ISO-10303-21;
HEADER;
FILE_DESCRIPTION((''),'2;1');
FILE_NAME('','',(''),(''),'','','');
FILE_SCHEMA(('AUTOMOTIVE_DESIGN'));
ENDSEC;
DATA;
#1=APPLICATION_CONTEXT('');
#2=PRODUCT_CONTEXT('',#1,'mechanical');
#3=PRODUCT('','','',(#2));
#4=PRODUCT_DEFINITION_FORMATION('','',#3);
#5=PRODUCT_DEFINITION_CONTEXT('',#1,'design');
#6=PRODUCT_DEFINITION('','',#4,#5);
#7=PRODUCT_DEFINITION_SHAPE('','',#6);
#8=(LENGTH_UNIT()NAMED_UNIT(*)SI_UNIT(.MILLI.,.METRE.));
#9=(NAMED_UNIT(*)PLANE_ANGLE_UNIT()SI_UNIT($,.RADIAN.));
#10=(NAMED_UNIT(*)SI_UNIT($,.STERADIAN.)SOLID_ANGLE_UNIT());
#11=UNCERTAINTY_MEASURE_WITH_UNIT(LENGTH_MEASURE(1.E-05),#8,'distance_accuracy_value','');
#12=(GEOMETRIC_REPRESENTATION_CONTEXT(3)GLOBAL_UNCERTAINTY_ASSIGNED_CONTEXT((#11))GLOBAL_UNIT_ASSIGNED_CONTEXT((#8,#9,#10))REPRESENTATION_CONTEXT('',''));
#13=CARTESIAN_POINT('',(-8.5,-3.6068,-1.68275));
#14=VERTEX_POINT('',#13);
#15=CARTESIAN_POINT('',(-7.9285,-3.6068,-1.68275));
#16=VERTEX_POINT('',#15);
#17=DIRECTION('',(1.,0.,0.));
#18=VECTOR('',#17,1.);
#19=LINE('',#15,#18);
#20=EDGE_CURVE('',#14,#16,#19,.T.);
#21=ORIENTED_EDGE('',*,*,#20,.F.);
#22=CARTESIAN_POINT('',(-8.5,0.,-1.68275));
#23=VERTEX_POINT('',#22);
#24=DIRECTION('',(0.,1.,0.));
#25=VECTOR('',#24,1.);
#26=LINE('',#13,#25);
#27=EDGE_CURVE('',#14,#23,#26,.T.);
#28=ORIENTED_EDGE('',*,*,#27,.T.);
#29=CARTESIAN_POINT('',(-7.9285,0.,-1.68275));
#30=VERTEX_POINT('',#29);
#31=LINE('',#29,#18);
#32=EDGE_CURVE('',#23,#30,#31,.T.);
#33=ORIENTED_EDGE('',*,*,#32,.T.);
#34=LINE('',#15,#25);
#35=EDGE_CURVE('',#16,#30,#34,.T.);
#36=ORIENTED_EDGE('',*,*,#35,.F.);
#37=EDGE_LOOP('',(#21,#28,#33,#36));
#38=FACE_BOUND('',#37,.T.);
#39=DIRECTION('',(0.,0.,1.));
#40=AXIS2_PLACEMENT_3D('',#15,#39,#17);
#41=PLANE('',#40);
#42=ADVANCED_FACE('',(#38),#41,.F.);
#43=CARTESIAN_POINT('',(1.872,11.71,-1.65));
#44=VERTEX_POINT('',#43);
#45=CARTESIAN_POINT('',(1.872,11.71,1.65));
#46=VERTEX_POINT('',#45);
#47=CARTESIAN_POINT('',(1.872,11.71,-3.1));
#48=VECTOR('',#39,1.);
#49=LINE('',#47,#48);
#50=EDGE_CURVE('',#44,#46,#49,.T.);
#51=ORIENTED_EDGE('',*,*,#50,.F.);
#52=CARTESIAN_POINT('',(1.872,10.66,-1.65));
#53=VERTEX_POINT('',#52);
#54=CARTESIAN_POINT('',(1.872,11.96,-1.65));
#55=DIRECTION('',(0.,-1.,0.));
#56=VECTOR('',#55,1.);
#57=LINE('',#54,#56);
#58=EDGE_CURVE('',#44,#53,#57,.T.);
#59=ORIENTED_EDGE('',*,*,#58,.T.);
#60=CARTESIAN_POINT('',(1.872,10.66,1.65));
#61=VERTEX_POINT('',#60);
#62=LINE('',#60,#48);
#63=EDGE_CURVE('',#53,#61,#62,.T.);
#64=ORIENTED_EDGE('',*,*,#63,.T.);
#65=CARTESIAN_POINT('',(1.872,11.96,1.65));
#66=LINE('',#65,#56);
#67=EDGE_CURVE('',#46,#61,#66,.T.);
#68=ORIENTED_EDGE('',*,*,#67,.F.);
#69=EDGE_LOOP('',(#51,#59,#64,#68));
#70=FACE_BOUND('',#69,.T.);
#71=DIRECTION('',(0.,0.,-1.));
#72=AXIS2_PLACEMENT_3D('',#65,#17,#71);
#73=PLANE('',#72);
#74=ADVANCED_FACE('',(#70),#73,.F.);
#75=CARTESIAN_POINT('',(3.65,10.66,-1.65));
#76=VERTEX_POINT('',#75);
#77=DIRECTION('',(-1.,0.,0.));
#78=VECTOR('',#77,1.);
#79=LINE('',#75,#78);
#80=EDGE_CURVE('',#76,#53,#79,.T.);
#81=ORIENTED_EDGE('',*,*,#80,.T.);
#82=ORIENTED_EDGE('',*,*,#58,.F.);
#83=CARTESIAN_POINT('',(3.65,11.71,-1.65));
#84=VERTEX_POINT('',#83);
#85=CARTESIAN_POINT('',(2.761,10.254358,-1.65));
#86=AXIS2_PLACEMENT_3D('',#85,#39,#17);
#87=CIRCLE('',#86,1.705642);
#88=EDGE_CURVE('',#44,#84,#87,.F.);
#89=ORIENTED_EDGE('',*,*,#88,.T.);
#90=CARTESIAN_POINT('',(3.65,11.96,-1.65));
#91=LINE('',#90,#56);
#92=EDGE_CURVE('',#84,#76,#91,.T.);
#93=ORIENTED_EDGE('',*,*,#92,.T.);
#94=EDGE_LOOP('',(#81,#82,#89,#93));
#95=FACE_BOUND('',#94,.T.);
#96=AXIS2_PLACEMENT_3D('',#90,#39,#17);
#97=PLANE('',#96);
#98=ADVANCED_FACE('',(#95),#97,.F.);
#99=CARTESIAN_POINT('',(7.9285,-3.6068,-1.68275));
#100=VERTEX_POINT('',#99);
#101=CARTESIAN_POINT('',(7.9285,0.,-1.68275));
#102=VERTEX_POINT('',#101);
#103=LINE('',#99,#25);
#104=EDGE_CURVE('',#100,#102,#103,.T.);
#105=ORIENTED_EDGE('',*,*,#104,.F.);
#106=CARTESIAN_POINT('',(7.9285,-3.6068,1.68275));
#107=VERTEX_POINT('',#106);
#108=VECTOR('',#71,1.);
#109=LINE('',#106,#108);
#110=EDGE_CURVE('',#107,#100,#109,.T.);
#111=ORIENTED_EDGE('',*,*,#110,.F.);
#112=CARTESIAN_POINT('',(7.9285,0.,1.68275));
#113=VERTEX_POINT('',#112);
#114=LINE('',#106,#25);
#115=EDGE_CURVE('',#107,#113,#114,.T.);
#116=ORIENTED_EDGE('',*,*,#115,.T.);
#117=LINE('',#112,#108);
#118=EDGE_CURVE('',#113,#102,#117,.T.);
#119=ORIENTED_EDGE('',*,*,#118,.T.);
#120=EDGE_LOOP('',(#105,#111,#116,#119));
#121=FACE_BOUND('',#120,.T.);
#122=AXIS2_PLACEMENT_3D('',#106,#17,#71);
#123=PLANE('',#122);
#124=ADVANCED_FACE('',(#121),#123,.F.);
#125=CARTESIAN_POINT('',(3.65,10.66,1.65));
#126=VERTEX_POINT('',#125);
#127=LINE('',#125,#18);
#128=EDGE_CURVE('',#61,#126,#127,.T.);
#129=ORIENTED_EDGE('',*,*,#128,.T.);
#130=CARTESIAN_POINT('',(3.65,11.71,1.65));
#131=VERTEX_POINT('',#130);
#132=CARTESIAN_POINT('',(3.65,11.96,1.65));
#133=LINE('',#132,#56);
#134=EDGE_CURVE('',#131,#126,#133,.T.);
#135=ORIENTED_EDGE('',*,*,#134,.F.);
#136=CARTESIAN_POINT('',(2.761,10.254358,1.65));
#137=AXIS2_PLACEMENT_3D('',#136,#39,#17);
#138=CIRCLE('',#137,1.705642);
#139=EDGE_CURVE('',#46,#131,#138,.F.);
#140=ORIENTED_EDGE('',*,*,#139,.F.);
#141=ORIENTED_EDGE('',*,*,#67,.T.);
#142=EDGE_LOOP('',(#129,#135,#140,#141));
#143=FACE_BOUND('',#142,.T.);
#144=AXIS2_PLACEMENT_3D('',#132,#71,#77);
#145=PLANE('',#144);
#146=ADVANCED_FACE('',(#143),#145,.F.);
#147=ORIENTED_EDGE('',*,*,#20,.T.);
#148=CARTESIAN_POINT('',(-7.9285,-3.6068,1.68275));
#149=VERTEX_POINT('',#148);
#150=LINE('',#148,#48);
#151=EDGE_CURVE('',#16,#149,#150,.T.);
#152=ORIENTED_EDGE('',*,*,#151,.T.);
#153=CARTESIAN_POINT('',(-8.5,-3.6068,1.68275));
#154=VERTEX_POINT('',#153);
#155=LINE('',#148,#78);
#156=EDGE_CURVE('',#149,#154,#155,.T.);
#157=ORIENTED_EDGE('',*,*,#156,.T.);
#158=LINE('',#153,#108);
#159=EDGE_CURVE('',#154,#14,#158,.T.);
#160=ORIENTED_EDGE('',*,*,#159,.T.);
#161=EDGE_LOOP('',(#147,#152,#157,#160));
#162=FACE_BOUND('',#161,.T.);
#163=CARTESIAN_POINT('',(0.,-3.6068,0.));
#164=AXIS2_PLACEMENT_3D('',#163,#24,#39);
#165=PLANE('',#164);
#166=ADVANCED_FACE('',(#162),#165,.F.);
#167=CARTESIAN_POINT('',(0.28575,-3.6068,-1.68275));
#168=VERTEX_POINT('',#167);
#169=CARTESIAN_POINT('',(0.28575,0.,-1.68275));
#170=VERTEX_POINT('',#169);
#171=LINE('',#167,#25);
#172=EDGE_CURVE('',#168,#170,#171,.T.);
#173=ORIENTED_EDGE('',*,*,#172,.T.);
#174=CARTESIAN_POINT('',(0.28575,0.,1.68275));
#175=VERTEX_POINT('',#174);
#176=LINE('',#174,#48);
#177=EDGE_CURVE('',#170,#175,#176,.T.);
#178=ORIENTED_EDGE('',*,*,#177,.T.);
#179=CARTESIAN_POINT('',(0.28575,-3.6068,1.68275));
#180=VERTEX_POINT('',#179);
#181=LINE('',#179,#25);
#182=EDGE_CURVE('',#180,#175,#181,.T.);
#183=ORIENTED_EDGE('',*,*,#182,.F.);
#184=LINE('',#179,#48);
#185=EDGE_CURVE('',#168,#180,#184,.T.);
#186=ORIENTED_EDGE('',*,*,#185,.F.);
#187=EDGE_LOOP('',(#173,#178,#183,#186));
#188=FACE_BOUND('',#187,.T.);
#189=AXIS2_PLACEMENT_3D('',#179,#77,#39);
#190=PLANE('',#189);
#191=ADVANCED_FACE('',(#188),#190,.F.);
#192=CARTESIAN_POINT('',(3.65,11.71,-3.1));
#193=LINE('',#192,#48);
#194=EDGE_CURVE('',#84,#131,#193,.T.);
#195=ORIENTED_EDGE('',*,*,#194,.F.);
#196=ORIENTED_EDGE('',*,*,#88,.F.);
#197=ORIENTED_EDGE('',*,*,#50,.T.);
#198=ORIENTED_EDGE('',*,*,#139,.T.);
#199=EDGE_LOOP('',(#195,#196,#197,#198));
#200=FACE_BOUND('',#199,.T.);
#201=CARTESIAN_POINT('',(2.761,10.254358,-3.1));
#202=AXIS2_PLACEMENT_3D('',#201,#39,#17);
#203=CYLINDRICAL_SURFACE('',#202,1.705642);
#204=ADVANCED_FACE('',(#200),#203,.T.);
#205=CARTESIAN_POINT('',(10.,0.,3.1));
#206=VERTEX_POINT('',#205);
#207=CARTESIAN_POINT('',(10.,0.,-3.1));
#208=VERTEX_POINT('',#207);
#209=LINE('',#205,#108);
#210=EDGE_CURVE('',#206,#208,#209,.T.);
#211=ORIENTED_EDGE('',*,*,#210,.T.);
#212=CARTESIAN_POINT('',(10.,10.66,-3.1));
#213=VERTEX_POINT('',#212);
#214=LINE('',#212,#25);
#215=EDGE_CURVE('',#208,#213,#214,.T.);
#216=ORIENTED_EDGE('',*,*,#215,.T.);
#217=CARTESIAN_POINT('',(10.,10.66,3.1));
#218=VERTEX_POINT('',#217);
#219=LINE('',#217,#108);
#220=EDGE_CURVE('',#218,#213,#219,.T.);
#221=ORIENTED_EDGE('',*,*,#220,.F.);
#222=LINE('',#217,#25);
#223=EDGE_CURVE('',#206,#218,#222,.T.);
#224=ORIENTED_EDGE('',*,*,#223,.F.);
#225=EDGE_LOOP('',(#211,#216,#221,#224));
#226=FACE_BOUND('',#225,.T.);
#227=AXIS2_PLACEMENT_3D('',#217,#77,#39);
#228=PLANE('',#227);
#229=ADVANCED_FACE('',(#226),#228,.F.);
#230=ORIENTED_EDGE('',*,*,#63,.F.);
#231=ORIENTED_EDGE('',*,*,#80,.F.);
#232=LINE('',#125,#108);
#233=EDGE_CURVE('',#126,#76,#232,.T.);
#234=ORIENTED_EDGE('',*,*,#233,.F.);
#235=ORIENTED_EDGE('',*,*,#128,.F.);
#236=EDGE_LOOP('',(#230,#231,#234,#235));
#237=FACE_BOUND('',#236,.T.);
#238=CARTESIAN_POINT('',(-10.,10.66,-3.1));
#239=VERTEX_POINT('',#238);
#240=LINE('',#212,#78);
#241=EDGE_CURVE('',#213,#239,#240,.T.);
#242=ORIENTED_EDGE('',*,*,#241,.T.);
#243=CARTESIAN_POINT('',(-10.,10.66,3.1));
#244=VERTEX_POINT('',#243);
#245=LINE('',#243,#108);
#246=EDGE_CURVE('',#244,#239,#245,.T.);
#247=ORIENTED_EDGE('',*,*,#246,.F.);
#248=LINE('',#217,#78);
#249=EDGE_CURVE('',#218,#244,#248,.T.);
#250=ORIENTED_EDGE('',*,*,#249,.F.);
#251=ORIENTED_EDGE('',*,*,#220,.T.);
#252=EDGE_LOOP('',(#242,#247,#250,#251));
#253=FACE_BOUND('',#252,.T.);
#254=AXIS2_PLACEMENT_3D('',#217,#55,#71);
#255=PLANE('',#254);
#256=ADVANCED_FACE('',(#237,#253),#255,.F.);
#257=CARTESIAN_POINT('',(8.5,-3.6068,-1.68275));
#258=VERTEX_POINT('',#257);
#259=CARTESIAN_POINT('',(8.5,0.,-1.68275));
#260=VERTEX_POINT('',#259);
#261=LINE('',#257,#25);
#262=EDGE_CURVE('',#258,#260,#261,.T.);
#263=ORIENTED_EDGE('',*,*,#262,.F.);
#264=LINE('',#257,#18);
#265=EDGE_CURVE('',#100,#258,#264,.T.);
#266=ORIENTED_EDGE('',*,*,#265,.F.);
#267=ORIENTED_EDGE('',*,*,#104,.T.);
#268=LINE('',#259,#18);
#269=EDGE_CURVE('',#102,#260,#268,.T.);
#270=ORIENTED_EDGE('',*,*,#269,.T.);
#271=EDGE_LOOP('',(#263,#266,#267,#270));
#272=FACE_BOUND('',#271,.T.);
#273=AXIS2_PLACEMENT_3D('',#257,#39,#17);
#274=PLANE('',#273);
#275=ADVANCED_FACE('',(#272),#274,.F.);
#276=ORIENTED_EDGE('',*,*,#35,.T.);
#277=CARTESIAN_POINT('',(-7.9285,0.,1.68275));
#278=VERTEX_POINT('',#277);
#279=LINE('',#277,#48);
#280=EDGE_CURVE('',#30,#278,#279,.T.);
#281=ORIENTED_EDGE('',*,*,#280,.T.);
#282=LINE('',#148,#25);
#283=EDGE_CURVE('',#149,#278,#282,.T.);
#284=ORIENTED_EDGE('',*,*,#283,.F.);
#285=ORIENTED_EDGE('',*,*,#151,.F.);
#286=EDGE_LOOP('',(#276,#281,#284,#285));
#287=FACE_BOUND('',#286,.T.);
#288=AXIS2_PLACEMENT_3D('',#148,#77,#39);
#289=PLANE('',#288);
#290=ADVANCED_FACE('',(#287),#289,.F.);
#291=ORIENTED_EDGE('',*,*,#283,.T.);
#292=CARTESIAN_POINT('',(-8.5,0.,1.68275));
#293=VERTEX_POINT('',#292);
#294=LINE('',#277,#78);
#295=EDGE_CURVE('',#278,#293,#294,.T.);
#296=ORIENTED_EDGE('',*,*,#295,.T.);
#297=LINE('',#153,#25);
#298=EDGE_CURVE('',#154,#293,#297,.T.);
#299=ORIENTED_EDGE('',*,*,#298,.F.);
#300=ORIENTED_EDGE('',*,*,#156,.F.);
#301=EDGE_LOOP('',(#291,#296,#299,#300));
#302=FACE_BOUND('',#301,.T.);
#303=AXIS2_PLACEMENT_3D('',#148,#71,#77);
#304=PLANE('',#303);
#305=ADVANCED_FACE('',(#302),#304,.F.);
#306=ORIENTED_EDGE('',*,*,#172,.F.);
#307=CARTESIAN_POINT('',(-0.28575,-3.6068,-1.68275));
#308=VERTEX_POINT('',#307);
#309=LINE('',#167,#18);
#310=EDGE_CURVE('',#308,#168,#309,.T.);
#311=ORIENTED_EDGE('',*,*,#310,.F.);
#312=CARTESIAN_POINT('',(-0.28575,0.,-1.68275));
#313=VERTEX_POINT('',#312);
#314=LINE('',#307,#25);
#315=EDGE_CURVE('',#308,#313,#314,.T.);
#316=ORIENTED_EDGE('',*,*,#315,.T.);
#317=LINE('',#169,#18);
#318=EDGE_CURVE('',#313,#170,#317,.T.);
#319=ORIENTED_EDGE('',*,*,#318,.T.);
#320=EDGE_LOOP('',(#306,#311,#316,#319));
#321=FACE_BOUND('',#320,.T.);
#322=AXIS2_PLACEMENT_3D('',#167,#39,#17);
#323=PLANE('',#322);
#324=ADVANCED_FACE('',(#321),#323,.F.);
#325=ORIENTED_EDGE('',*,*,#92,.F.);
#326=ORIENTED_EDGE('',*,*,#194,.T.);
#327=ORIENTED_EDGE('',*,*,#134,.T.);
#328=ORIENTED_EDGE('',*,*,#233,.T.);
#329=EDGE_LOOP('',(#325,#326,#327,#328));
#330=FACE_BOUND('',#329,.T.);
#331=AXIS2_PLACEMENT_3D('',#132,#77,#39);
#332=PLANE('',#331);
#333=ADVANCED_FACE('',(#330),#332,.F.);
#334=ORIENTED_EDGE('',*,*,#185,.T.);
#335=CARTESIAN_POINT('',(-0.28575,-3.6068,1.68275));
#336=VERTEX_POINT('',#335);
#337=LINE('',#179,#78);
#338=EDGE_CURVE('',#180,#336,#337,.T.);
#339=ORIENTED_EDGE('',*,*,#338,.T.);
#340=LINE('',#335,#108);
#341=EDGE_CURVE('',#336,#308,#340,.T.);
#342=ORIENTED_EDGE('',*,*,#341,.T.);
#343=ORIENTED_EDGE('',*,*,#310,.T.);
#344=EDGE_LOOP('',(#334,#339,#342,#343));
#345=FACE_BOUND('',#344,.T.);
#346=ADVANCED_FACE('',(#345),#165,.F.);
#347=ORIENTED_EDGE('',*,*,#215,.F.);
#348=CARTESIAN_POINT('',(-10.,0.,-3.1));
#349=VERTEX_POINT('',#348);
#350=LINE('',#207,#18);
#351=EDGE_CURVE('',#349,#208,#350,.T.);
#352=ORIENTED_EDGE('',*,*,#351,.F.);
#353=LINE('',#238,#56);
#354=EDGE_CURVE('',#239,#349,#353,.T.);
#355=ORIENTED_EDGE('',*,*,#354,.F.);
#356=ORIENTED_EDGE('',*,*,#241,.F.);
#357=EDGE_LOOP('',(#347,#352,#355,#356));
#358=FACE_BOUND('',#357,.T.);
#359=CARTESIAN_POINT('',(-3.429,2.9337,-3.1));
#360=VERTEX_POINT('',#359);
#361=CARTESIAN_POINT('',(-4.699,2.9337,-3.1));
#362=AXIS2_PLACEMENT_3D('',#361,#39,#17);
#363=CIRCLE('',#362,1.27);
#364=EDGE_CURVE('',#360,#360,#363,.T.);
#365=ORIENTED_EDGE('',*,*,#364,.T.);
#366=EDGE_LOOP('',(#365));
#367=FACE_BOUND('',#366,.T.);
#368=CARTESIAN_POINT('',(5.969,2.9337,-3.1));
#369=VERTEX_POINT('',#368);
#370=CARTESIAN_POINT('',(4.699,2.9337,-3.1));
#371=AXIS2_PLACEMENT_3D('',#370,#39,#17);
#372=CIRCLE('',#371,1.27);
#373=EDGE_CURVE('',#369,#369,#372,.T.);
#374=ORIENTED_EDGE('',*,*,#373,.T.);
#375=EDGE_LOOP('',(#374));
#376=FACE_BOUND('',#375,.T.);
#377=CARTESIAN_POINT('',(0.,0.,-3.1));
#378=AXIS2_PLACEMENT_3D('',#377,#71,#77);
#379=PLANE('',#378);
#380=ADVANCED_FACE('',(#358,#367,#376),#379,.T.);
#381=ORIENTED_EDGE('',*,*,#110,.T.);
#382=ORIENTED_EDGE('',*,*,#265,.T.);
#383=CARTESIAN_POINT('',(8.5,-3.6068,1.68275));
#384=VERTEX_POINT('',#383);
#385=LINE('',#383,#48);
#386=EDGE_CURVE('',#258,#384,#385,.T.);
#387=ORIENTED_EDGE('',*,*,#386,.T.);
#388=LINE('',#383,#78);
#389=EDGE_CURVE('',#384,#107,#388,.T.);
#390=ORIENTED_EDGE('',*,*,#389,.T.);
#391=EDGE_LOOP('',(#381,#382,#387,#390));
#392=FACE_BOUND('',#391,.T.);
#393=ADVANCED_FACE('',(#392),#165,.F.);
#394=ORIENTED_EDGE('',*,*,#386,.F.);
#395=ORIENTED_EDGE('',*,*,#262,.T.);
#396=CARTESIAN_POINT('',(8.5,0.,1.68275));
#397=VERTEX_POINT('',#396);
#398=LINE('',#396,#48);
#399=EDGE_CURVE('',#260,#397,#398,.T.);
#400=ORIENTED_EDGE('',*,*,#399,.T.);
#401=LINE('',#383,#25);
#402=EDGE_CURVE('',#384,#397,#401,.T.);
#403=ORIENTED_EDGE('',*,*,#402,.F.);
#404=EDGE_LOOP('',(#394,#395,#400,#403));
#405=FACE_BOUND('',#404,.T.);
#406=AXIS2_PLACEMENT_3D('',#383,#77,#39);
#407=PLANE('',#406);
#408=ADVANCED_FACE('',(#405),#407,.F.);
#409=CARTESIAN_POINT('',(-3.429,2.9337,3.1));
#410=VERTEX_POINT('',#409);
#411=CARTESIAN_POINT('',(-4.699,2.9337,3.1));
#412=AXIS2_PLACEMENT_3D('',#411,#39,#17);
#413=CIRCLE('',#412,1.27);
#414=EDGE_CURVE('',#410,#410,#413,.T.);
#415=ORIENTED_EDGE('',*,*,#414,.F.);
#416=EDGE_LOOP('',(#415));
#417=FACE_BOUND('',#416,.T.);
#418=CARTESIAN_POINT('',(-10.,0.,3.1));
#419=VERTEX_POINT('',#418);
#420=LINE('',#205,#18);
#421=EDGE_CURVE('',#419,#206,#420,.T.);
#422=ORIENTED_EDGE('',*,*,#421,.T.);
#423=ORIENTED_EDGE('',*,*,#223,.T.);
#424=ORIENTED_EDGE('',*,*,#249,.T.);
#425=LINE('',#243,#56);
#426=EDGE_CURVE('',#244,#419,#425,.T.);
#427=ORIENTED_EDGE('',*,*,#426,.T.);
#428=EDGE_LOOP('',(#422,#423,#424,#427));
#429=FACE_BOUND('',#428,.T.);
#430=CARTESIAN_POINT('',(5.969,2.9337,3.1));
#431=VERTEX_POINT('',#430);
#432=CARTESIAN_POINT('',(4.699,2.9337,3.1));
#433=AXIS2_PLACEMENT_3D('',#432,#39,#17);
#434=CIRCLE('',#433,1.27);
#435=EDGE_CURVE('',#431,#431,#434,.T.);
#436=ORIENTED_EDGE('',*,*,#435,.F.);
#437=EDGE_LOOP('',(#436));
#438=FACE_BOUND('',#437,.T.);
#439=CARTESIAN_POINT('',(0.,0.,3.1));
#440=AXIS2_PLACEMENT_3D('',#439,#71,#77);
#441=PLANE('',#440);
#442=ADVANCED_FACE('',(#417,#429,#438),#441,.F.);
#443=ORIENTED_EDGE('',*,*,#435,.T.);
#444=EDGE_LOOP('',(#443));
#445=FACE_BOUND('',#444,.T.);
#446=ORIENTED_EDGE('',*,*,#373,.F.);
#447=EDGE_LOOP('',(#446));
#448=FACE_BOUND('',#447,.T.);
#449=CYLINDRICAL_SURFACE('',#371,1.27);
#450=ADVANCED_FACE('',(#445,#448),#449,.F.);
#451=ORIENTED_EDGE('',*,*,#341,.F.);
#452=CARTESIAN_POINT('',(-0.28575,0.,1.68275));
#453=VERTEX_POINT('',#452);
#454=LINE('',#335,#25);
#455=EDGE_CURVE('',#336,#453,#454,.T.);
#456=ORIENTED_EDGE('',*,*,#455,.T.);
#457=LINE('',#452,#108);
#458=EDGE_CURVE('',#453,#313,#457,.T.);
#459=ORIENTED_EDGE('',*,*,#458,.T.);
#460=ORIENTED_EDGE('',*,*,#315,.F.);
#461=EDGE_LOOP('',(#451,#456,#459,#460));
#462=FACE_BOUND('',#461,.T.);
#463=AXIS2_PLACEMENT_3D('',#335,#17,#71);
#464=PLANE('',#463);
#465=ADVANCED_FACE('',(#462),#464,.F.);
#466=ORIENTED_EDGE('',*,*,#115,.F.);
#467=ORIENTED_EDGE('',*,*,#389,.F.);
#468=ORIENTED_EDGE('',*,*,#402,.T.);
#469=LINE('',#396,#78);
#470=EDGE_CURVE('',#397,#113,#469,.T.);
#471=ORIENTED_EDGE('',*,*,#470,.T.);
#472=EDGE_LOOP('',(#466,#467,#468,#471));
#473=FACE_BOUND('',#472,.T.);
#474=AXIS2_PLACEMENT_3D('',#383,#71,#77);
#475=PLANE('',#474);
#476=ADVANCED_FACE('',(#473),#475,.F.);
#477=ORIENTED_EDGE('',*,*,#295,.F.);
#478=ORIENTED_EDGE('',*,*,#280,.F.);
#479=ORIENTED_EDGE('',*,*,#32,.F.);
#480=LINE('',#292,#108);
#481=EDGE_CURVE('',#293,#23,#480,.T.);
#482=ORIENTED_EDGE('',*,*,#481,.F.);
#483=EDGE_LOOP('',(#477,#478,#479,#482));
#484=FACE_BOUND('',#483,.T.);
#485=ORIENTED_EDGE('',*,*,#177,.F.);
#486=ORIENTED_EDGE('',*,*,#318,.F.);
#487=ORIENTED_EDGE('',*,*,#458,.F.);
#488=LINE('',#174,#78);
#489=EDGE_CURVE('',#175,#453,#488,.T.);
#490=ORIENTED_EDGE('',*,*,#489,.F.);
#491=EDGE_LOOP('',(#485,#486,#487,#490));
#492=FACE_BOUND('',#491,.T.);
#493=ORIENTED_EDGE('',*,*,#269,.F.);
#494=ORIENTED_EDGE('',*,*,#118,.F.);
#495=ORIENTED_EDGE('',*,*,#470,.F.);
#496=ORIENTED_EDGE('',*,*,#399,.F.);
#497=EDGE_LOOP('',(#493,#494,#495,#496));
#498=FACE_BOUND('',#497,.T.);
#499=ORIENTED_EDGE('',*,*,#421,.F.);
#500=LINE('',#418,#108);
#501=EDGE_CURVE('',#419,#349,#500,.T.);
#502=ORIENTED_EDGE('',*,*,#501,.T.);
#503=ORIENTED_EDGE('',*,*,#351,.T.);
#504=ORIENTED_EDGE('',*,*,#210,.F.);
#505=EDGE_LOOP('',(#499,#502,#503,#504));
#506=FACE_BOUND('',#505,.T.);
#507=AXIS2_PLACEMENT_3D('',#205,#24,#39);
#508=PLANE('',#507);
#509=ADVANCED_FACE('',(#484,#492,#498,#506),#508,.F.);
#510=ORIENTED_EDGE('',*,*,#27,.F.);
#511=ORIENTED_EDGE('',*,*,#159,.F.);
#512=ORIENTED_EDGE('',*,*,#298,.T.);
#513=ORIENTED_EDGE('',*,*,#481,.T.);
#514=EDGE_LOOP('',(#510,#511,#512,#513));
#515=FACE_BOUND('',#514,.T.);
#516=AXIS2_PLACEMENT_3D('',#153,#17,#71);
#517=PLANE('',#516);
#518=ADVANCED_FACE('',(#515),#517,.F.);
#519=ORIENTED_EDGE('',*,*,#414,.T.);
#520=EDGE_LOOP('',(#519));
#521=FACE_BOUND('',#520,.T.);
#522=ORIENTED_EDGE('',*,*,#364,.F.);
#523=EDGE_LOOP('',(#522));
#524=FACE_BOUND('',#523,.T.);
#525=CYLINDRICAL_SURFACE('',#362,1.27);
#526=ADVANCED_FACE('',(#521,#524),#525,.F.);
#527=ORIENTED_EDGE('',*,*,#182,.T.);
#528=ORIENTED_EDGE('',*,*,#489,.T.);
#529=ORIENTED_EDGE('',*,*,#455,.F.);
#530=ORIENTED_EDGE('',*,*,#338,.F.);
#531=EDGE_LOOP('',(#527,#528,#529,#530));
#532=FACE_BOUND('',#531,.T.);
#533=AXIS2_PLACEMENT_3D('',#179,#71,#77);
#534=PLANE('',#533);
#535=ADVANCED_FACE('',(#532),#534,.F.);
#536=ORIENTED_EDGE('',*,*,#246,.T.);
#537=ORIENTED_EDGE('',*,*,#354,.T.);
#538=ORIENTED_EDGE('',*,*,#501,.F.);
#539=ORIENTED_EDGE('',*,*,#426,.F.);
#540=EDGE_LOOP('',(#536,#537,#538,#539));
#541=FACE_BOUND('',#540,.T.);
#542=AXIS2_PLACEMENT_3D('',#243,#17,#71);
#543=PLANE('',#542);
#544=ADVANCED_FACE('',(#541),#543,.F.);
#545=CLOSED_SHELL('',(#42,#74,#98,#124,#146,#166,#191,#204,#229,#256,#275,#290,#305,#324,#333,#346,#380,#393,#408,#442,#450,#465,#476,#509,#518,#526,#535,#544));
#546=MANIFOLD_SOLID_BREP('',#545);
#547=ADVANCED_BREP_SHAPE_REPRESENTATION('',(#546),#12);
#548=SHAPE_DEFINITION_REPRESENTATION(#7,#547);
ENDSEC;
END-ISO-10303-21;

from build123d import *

# Parameters (mm, degrees)
SKETCH1_W           = 20
SKETCH1_H           = 10.66
BOSS_EXTRUDE1_DEPTH = 3.1
SKETCH2_R           = 1.27
CUT_EXTRUDE1_DEPTH  = 7.2
SKETCH3_W           = 0.5715
SKETCH3_H           = 3.3655
BOSS_EXTRUDE2_DEPTH = 3.6068
SKETCH4_W           = 1.778
SKETCH4_H           = 3.3
BOSS_EXTRUDE3_DEPTH = 1.3
CUT_EXTRUDE2_DEPTH  = 5.75


with BuildPart() as part:
    # Sketch1 → Boss-Extrude1 (new body, symmetric)
    with BuildSketch(Plane.XY):
        with Locations((0, 5.33)):
            Rectangle(SKETCH1_W, SKETCH1_H)
    extrude(amount=BOSS_EXTRUDE1_DEPTH, both=True)

    # Sketch2 → Cut-Extrude1 (cut, through all)
    with BuildSketch(Plane.XY.offset(3.1)):
        with Locations((4.699, 2.9337)):
            Circle(SKETCH2_R)
        with Locations((-4.699, 2.9337)):
            Circle(SKETCH2_R)
    extrude(amount=-CUT_EXTRUDE1_DEPTH, mode=Mode.SUBTRACT)

    # Sketch3 → Boss-Extrude2 (add)
    with BuildSketch(Plane.XZ):
        with Locations((-8.21425, 0)):
            Rectangle(SKETCH3_W, SKETCH3_H)
        Rectangle(SKETCH3_W, SKETCH3_H)
        with Locations((8.21425, 0)):
            Rectangle(SKETCH3_W, SKETCH3_H)
    extrude(amount=BOSS_EXTRUDE2_DEPTH)

    # Sketch4 → Boss-Extrude3 (add)
    with BuildSketch(Plane(origin=(0, 10.66, 0), x_dir=(1, 0, 0), z_dir=(0, 1, 0))):
        with Locations((2.761, 0)):
            Rectangle(SKETCH4_W, SKETCH4_H)
    extrude(amount=BOSS_EXTRUDE3_DEPTH)

    # Sketch5 → Cut-Extrude2 (cut, through all)
    with BuildSketch(Plane.XY.offset(1.65)):
        with BuildLine():
            Line((1.872, 11.96), (1.872, 11.71))
            ThreePointArc((1.872, 11.71), (2.29925846, 11.896310917), (2.761, 11.96))
            Line((2.761, 11.96), (1.872, 11.96))
        make_face()
        with BuildLine():
            ThreePointArc((2.761, 11.96), (3.22274154, 11.896310917), (3.65, 11.71))
            Line((3.65, 11.71), (3.65, 11.96))
            Line((3.65, 11.96), (2.761, 11.96))
        make_face()
    extrude(amount=-CUT_EXTRUDE2_DEPTH, mode=Mode.SUBTRACT)


solid = part.part
